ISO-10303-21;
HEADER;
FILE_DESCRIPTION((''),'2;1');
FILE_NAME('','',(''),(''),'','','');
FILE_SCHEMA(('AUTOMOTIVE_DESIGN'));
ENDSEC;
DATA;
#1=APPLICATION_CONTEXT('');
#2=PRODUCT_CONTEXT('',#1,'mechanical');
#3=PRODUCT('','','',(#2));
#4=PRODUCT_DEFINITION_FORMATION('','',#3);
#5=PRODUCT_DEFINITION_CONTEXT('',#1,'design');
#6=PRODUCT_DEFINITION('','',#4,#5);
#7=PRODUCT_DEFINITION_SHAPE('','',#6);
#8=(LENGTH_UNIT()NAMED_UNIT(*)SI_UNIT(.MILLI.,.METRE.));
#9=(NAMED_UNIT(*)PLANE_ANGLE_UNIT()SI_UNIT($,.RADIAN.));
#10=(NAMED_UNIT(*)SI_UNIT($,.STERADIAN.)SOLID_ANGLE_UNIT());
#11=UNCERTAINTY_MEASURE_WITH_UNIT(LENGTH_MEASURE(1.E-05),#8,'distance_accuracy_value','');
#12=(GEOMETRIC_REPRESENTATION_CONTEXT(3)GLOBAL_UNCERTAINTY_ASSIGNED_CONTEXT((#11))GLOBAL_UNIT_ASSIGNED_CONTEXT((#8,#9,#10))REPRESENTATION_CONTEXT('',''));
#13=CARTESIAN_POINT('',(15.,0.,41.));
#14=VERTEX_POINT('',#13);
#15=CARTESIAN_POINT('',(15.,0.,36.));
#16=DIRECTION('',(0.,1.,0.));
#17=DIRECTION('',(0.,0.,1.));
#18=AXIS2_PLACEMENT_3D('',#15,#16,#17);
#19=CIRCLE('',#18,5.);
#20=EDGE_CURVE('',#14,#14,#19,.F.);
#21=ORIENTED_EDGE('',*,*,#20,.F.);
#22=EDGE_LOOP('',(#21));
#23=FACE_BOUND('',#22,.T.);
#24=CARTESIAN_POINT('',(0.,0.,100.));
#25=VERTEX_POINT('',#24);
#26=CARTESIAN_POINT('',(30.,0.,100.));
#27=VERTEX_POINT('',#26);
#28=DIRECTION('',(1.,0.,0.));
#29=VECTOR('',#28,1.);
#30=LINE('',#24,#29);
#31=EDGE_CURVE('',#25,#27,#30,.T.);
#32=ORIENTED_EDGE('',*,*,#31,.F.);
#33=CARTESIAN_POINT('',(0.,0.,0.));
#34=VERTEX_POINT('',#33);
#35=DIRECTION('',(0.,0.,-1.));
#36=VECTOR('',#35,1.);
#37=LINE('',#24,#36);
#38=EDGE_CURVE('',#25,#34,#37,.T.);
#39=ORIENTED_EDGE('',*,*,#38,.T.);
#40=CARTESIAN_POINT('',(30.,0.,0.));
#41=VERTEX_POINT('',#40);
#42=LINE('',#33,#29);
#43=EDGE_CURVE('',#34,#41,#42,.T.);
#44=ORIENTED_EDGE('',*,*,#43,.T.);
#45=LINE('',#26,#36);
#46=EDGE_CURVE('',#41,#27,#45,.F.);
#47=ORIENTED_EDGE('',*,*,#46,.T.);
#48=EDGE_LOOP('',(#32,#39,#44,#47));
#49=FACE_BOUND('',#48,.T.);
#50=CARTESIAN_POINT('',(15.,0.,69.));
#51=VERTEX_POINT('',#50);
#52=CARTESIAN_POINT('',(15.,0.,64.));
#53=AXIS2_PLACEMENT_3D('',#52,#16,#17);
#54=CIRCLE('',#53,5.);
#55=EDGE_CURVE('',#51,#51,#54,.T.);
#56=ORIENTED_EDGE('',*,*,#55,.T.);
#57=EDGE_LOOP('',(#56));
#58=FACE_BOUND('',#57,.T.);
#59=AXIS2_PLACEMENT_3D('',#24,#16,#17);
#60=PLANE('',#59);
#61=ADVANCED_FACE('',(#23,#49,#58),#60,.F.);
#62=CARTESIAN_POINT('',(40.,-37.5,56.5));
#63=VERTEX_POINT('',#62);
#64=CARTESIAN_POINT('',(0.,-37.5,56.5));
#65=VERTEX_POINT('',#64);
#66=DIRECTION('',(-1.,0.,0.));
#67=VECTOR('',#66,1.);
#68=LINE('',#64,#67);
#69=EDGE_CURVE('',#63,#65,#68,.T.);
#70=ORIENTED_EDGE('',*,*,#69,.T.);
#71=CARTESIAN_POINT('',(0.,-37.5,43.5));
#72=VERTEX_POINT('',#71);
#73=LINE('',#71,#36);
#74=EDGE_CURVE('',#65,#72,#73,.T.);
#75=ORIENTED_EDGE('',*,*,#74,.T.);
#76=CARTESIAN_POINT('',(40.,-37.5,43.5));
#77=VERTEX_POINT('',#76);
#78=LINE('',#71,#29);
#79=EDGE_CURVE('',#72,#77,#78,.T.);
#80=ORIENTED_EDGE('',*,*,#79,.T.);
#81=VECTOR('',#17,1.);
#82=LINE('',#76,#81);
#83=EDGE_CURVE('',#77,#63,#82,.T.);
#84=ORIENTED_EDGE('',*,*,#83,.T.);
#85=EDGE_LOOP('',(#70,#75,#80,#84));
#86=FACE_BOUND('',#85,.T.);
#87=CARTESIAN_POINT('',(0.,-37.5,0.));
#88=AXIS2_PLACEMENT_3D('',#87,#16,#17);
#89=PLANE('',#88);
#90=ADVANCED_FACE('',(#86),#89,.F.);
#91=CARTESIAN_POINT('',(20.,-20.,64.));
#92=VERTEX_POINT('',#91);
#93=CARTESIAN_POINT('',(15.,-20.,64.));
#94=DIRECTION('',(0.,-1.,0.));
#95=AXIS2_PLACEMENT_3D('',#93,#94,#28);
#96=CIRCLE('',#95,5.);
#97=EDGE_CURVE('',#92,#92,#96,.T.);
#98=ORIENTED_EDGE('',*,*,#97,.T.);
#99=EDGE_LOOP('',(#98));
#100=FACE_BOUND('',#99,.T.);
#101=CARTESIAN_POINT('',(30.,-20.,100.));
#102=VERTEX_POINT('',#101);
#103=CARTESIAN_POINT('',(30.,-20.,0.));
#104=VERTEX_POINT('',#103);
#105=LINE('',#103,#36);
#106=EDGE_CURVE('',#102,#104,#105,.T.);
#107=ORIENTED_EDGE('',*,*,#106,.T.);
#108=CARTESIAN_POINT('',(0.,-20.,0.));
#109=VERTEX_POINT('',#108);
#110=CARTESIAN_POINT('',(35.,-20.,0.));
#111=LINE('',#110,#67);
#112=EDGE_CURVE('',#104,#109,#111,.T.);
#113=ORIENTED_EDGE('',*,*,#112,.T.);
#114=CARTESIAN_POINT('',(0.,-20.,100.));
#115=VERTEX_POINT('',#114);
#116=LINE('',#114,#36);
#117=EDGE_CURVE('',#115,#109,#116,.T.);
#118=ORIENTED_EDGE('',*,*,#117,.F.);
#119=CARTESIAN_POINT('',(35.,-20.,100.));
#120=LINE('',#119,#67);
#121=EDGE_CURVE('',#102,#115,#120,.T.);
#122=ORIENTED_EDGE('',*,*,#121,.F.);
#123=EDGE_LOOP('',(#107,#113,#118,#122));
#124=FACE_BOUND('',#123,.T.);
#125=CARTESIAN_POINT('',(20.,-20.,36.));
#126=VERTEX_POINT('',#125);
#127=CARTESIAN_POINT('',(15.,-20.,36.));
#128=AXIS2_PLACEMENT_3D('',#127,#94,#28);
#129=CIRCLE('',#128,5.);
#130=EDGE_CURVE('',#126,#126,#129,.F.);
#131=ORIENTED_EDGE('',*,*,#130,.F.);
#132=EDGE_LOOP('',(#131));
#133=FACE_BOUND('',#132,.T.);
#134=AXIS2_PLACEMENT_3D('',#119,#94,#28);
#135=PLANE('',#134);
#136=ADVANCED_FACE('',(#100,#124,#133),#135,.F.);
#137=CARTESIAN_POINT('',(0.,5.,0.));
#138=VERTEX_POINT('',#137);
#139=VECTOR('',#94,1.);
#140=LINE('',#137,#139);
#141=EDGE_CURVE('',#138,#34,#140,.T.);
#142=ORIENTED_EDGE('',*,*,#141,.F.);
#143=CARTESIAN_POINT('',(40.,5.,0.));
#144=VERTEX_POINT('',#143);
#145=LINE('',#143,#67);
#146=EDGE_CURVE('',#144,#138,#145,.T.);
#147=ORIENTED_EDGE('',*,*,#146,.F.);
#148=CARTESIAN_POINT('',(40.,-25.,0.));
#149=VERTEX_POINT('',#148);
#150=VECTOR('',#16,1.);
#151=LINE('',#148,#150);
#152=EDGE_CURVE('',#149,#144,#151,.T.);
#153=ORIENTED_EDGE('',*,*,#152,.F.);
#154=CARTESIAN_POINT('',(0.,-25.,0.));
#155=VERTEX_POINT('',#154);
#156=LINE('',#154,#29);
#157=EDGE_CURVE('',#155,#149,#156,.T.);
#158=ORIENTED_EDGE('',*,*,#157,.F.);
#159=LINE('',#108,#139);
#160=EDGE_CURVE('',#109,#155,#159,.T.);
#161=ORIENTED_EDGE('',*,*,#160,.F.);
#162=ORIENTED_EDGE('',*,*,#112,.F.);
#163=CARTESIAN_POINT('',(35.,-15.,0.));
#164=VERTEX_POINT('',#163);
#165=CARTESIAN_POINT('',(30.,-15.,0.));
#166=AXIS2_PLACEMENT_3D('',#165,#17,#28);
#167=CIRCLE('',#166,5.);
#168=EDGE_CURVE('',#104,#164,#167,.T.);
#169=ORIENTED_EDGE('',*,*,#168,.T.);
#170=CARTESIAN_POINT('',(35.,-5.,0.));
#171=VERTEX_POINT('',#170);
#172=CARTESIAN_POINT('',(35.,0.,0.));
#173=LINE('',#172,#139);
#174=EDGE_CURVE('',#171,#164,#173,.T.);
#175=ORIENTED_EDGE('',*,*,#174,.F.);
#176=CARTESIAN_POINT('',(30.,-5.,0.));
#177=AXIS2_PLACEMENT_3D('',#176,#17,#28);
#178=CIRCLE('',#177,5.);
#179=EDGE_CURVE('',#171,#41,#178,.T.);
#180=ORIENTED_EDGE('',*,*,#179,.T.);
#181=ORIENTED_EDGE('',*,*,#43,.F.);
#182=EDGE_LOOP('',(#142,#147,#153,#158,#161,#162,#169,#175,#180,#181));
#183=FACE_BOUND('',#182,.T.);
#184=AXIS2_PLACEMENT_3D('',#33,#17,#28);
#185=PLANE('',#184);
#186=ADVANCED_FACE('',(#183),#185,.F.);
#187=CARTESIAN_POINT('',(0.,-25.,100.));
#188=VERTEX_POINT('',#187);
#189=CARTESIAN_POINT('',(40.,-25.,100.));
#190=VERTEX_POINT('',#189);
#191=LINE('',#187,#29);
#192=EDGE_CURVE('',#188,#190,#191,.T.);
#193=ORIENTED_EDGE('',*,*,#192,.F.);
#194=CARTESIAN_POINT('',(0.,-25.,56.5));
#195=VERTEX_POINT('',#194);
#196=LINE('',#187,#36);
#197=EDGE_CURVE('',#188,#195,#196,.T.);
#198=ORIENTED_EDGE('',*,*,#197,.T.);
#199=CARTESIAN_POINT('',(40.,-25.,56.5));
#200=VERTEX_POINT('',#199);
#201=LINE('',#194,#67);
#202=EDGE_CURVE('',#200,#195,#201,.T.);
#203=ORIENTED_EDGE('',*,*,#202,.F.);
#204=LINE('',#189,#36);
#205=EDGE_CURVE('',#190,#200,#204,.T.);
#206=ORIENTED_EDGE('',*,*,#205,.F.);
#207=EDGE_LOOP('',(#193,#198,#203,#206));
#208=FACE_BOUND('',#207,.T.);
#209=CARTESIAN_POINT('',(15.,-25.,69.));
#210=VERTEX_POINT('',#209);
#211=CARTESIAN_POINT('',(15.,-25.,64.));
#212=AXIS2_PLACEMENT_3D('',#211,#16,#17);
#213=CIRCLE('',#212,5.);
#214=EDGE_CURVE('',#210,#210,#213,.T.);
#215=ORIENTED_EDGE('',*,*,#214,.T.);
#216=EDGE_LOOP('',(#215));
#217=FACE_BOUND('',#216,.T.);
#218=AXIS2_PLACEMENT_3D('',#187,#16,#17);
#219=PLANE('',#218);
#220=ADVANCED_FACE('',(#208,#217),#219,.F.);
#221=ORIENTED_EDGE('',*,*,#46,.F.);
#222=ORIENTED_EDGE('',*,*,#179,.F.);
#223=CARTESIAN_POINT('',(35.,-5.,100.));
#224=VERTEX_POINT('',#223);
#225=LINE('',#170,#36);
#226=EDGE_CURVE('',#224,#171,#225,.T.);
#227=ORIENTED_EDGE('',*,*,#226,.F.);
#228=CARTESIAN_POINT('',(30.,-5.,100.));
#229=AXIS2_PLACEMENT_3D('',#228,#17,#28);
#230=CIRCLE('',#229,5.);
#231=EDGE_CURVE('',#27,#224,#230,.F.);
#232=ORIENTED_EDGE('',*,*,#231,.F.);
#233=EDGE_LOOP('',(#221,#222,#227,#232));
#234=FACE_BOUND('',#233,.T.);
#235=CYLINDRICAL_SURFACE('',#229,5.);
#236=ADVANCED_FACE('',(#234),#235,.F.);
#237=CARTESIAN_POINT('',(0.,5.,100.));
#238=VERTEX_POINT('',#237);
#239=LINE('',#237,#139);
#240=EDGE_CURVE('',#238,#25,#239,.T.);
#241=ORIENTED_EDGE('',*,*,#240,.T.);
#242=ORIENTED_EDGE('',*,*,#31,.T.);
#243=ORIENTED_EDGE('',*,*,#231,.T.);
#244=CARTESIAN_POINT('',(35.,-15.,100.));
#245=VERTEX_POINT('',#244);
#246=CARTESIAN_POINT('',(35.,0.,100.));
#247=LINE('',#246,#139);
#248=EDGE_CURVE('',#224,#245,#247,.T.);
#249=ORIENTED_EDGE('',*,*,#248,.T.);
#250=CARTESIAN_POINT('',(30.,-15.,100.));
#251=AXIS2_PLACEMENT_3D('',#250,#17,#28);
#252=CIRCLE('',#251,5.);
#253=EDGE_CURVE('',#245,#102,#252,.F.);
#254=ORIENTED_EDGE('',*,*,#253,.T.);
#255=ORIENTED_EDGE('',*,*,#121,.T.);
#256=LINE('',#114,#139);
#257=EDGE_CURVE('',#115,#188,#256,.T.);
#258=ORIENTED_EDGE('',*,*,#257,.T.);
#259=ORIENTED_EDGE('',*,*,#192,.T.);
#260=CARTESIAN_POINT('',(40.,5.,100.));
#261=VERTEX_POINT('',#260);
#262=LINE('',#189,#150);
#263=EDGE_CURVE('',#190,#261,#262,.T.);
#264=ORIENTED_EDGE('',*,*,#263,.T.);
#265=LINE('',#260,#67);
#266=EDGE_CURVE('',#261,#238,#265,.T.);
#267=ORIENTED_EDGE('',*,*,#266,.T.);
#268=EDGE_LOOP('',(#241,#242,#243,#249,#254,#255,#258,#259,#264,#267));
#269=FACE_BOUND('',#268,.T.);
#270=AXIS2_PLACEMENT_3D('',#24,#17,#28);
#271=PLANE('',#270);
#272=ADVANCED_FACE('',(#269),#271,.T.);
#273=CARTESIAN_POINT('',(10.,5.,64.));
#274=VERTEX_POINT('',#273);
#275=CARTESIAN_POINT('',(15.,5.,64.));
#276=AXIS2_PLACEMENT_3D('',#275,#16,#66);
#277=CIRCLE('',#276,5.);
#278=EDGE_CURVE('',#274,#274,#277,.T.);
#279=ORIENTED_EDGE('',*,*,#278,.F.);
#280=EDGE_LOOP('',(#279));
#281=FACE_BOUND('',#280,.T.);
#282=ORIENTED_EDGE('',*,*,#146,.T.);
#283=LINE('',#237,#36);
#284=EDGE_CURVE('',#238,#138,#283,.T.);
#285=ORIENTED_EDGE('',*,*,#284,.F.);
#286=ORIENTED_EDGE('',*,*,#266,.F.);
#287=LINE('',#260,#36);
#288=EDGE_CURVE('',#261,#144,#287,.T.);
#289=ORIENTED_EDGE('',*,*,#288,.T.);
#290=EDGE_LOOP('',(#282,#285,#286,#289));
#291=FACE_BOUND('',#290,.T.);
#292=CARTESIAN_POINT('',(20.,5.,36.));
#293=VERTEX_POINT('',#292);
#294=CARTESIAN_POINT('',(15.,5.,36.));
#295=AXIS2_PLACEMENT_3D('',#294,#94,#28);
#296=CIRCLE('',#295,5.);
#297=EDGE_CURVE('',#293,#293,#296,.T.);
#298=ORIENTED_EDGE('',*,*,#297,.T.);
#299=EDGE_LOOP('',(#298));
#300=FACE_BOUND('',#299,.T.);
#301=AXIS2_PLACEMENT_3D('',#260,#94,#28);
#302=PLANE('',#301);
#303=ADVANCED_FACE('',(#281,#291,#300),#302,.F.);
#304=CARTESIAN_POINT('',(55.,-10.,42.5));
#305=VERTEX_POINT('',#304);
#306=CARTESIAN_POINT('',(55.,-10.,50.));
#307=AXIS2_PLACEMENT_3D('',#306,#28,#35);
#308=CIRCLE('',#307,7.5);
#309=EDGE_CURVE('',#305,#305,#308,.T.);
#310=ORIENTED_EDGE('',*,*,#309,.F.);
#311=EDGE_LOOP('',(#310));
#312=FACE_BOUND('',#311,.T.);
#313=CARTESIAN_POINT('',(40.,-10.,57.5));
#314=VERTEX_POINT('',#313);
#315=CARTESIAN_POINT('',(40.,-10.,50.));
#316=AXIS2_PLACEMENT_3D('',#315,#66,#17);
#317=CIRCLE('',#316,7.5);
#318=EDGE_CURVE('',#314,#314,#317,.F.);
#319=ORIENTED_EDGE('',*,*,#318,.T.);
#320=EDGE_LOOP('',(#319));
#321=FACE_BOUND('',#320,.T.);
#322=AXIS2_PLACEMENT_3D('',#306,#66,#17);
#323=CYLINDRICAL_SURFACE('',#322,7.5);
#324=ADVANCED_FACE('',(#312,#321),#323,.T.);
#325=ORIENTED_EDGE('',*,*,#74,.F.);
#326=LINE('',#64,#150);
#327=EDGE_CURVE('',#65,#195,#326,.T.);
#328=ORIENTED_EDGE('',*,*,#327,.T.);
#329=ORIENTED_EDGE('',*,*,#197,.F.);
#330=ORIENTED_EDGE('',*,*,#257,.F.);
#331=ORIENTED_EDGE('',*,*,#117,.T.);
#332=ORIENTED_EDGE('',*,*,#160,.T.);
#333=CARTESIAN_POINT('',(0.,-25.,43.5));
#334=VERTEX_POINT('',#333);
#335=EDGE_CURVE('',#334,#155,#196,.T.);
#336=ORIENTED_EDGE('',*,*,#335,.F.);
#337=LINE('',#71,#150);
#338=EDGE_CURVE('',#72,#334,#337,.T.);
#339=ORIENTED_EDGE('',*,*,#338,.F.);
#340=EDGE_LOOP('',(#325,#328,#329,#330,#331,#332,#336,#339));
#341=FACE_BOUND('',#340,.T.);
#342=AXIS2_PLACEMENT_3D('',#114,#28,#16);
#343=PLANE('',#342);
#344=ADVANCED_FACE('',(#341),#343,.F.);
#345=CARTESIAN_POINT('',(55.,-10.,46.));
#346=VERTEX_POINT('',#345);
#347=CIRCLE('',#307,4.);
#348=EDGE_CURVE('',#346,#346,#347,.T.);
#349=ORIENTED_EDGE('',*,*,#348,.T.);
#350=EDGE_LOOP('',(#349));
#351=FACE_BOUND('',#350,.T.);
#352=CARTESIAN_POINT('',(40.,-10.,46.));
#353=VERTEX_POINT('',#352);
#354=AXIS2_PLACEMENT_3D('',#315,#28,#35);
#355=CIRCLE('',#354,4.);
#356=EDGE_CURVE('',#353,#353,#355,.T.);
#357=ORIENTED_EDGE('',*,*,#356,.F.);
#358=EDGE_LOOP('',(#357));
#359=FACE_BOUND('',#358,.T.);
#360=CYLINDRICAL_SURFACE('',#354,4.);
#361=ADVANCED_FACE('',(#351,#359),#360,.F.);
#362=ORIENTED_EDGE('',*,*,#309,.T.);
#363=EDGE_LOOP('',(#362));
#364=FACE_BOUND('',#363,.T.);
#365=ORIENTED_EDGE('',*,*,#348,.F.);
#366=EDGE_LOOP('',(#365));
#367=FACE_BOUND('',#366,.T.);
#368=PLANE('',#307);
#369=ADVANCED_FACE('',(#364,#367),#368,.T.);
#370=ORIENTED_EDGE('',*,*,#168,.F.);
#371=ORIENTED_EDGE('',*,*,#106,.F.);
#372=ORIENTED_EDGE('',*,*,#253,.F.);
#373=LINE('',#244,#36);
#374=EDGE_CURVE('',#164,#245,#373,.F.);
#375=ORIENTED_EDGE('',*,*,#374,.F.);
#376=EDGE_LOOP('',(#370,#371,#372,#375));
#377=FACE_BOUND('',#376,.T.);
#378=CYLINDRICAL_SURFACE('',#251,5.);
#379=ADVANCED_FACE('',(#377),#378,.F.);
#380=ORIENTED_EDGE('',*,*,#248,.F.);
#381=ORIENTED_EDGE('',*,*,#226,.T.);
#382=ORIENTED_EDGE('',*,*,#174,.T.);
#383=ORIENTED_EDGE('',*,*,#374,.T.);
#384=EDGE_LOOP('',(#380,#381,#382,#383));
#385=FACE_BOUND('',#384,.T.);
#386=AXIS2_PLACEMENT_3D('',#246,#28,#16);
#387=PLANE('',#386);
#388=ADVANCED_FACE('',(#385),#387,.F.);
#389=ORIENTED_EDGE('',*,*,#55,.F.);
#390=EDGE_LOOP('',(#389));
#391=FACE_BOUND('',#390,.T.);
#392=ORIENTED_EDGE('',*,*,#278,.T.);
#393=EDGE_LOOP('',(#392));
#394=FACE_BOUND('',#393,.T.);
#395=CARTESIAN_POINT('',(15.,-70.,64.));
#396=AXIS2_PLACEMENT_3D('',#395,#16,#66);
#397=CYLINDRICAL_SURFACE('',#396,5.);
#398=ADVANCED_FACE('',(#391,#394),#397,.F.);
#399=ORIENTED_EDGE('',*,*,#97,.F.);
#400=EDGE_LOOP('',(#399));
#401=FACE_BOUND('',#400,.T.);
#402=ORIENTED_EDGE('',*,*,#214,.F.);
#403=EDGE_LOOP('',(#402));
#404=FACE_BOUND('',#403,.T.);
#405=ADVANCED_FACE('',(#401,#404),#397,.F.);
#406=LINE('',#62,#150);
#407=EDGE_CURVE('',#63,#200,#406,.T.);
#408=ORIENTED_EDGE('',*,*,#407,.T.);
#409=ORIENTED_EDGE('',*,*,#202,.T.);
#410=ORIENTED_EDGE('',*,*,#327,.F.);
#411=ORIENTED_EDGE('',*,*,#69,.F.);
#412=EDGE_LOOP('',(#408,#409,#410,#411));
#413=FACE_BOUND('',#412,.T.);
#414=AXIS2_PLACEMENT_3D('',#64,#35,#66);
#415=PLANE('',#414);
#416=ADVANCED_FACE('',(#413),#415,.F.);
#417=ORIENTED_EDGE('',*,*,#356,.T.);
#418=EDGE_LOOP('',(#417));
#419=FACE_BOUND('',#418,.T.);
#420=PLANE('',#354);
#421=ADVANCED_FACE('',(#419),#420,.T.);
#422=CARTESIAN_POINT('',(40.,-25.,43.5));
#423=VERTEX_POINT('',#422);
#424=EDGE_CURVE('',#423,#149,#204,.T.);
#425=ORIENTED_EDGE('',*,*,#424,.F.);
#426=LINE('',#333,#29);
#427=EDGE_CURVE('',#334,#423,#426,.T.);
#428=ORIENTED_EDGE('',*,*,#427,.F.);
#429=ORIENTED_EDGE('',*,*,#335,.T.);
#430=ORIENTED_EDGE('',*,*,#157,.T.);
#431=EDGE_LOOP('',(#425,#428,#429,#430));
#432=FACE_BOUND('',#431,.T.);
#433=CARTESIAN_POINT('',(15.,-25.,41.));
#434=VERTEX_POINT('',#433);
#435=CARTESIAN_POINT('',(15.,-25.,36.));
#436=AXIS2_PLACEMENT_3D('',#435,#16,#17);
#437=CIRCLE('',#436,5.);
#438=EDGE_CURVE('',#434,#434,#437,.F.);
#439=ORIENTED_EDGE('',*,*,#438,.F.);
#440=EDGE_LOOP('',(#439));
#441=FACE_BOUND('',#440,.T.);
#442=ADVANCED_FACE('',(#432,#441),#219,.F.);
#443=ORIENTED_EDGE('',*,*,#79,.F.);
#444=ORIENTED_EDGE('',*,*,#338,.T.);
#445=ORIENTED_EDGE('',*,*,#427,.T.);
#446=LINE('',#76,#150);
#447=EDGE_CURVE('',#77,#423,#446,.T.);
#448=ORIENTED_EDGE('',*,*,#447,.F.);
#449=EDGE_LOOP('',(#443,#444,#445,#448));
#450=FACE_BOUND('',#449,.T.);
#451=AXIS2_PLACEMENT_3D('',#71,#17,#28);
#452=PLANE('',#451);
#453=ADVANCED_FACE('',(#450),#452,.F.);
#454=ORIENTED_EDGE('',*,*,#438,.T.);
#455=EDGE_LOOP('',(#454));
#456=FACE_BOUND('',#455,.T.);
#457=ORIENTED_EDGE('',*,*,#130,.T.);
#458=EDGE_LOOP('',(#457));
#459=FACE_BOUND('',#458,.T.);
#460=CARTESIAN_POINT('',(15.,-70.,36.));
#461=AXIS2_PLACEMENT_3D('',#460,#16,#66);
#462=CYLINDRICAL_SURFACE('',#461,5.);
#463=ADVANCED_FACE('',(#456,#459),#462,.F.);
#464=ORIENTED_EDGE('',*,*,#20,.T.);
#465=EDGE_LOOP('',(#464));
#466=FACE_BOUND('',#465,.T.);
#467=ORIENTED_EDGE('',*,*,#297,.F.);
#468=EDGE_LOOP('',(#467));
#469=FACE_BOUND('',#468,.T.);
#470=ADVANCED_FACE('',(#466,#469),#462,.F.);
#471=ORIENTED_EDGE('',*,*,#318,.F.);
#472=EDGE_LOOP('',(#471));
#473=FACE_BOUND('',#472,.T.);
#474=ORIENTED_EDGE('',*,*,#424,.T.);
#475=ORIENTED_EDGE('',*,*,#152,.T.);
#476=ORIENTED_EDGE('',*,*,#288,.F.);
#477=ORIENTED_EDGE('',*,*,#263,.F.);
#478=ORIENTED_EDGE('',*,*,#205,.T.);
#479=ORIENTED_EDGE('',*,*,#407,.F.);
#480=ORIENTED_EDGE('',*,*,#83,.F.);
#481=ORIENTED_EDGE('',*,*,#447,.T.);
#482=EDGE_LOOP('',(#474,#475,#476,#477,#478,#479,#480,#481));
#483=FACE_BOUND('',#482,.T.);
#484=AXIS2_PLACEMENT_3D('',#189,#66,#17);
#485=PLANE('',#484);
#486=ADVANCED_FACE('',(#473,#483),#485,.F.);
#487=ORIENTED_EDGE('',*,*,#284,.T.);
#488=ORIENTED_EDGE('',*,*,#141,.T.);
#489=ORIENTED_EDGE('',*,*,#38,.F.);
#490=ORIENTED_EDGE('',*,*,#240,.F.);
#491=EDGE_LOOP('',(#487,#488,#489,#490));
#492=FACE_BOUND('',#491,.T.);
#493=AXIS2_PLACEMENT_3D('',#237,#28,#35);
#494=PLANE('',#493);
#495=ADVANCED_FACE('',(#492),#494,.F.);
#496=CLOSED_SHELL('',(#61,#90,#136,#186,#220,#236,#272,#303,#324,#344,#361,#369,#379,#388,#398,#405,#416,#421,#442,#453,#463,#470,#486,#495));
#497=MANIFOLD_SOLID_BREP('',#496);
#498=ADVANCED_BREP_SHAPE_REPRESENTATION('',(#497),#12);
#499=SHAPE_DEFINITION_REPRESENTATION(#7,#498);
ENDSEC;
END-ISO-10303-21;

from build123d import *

# Parameters (mm, degrees)
BOSS_EXTRUDE1_DEPTH = 100
FILLET1_R           = 5
SKETCH2_R           = 5
CUT_EXTRUDE1_DEPTH  = 75
SKETCH3_W           = 40
SKETCH3_H           = 13
BOSS_EXTRUDE2_DEPTH = 12.5
SKETCH9_R           = 7.5
BOSS_EXTRUDE6_DEPTH = 15
SKETCH10_R          = 4
CUT_EXTRUDE3_DEPTH  = 15


with BuildPart() as part:
    # Sketch1 → Boss-Extrude1 (new body)
    with BuildSketch(Plane.XY):
        Polygon((0, 0), (35, 0), (35, -20), (0, -20), (0, -25), (40, -25), (40, 5), (0, 5), align=None)
    extrude(amount=BOSS_EXTRUDE1_DEPTH)

    # Fillet1
    fillet1_edges = [part.edges().sort_by_distance(p)[0] for p in [
        (35, -20, 50),
        (35, 0, 50),
    ]]
    fillet(fillet1_edges, radius=FILLET1_R)

    # Sketch2 → Cut-Extrude1 (cut)
    with BuildSketch(Plane(origin=(0, 5, 0), x_dir=(1, 0, 0), z_dir=(0, 1, 0))):
        with Locations(Location((15, -64, 0), (0, 0, 180))):
            Circle(SKETCH2_R)
        with Locations(Location((15, -36, 0), (0, 0, 270))):
            Circle(SKETCH2_R)
    extrude(amount=-CUT_EXTRUDE1_DEPTH, mode=Mode.SUBTRACT)

    # Sketch3 → Boss-Extrude2 (add)
    with BuildSketch(Plane.XZ.offset(25)):
        with Locations((20, 50)):
            Rectangle(SKETCH3_W, SKETCH3_H)
    extrude(amount=BOSS_EXTRUDE2_DEPTH)

    # Sketch9 → Boss-Extrude6 (add)
    with BuildSketch(Plane(origin=(40, 0, 0), x_dir=(0, 0, -1), z_dir=(1, 0, 0))):
        with Locations(Location((-50, -10, 0), (0, 0, 180))):
            Circle(SKETCH9_R)
    extrude(amount=BOSS_EXTRUDE6_DEPTH)

    # Sketch10 → Cut-Extrude3 (cut)
    with BuildSketch(Plane(origin=(55, 0, 0), x_dir=(0, 0, -1), z_dir=(1, 0, 0))):
        with Locations((-50, -10)):
            Circle(SKETCH10_R)
    extrude(amount=-CUT_EXTRUDE3_DEPTH, mode=Mode.SUBTRACT)


solid = part.part
